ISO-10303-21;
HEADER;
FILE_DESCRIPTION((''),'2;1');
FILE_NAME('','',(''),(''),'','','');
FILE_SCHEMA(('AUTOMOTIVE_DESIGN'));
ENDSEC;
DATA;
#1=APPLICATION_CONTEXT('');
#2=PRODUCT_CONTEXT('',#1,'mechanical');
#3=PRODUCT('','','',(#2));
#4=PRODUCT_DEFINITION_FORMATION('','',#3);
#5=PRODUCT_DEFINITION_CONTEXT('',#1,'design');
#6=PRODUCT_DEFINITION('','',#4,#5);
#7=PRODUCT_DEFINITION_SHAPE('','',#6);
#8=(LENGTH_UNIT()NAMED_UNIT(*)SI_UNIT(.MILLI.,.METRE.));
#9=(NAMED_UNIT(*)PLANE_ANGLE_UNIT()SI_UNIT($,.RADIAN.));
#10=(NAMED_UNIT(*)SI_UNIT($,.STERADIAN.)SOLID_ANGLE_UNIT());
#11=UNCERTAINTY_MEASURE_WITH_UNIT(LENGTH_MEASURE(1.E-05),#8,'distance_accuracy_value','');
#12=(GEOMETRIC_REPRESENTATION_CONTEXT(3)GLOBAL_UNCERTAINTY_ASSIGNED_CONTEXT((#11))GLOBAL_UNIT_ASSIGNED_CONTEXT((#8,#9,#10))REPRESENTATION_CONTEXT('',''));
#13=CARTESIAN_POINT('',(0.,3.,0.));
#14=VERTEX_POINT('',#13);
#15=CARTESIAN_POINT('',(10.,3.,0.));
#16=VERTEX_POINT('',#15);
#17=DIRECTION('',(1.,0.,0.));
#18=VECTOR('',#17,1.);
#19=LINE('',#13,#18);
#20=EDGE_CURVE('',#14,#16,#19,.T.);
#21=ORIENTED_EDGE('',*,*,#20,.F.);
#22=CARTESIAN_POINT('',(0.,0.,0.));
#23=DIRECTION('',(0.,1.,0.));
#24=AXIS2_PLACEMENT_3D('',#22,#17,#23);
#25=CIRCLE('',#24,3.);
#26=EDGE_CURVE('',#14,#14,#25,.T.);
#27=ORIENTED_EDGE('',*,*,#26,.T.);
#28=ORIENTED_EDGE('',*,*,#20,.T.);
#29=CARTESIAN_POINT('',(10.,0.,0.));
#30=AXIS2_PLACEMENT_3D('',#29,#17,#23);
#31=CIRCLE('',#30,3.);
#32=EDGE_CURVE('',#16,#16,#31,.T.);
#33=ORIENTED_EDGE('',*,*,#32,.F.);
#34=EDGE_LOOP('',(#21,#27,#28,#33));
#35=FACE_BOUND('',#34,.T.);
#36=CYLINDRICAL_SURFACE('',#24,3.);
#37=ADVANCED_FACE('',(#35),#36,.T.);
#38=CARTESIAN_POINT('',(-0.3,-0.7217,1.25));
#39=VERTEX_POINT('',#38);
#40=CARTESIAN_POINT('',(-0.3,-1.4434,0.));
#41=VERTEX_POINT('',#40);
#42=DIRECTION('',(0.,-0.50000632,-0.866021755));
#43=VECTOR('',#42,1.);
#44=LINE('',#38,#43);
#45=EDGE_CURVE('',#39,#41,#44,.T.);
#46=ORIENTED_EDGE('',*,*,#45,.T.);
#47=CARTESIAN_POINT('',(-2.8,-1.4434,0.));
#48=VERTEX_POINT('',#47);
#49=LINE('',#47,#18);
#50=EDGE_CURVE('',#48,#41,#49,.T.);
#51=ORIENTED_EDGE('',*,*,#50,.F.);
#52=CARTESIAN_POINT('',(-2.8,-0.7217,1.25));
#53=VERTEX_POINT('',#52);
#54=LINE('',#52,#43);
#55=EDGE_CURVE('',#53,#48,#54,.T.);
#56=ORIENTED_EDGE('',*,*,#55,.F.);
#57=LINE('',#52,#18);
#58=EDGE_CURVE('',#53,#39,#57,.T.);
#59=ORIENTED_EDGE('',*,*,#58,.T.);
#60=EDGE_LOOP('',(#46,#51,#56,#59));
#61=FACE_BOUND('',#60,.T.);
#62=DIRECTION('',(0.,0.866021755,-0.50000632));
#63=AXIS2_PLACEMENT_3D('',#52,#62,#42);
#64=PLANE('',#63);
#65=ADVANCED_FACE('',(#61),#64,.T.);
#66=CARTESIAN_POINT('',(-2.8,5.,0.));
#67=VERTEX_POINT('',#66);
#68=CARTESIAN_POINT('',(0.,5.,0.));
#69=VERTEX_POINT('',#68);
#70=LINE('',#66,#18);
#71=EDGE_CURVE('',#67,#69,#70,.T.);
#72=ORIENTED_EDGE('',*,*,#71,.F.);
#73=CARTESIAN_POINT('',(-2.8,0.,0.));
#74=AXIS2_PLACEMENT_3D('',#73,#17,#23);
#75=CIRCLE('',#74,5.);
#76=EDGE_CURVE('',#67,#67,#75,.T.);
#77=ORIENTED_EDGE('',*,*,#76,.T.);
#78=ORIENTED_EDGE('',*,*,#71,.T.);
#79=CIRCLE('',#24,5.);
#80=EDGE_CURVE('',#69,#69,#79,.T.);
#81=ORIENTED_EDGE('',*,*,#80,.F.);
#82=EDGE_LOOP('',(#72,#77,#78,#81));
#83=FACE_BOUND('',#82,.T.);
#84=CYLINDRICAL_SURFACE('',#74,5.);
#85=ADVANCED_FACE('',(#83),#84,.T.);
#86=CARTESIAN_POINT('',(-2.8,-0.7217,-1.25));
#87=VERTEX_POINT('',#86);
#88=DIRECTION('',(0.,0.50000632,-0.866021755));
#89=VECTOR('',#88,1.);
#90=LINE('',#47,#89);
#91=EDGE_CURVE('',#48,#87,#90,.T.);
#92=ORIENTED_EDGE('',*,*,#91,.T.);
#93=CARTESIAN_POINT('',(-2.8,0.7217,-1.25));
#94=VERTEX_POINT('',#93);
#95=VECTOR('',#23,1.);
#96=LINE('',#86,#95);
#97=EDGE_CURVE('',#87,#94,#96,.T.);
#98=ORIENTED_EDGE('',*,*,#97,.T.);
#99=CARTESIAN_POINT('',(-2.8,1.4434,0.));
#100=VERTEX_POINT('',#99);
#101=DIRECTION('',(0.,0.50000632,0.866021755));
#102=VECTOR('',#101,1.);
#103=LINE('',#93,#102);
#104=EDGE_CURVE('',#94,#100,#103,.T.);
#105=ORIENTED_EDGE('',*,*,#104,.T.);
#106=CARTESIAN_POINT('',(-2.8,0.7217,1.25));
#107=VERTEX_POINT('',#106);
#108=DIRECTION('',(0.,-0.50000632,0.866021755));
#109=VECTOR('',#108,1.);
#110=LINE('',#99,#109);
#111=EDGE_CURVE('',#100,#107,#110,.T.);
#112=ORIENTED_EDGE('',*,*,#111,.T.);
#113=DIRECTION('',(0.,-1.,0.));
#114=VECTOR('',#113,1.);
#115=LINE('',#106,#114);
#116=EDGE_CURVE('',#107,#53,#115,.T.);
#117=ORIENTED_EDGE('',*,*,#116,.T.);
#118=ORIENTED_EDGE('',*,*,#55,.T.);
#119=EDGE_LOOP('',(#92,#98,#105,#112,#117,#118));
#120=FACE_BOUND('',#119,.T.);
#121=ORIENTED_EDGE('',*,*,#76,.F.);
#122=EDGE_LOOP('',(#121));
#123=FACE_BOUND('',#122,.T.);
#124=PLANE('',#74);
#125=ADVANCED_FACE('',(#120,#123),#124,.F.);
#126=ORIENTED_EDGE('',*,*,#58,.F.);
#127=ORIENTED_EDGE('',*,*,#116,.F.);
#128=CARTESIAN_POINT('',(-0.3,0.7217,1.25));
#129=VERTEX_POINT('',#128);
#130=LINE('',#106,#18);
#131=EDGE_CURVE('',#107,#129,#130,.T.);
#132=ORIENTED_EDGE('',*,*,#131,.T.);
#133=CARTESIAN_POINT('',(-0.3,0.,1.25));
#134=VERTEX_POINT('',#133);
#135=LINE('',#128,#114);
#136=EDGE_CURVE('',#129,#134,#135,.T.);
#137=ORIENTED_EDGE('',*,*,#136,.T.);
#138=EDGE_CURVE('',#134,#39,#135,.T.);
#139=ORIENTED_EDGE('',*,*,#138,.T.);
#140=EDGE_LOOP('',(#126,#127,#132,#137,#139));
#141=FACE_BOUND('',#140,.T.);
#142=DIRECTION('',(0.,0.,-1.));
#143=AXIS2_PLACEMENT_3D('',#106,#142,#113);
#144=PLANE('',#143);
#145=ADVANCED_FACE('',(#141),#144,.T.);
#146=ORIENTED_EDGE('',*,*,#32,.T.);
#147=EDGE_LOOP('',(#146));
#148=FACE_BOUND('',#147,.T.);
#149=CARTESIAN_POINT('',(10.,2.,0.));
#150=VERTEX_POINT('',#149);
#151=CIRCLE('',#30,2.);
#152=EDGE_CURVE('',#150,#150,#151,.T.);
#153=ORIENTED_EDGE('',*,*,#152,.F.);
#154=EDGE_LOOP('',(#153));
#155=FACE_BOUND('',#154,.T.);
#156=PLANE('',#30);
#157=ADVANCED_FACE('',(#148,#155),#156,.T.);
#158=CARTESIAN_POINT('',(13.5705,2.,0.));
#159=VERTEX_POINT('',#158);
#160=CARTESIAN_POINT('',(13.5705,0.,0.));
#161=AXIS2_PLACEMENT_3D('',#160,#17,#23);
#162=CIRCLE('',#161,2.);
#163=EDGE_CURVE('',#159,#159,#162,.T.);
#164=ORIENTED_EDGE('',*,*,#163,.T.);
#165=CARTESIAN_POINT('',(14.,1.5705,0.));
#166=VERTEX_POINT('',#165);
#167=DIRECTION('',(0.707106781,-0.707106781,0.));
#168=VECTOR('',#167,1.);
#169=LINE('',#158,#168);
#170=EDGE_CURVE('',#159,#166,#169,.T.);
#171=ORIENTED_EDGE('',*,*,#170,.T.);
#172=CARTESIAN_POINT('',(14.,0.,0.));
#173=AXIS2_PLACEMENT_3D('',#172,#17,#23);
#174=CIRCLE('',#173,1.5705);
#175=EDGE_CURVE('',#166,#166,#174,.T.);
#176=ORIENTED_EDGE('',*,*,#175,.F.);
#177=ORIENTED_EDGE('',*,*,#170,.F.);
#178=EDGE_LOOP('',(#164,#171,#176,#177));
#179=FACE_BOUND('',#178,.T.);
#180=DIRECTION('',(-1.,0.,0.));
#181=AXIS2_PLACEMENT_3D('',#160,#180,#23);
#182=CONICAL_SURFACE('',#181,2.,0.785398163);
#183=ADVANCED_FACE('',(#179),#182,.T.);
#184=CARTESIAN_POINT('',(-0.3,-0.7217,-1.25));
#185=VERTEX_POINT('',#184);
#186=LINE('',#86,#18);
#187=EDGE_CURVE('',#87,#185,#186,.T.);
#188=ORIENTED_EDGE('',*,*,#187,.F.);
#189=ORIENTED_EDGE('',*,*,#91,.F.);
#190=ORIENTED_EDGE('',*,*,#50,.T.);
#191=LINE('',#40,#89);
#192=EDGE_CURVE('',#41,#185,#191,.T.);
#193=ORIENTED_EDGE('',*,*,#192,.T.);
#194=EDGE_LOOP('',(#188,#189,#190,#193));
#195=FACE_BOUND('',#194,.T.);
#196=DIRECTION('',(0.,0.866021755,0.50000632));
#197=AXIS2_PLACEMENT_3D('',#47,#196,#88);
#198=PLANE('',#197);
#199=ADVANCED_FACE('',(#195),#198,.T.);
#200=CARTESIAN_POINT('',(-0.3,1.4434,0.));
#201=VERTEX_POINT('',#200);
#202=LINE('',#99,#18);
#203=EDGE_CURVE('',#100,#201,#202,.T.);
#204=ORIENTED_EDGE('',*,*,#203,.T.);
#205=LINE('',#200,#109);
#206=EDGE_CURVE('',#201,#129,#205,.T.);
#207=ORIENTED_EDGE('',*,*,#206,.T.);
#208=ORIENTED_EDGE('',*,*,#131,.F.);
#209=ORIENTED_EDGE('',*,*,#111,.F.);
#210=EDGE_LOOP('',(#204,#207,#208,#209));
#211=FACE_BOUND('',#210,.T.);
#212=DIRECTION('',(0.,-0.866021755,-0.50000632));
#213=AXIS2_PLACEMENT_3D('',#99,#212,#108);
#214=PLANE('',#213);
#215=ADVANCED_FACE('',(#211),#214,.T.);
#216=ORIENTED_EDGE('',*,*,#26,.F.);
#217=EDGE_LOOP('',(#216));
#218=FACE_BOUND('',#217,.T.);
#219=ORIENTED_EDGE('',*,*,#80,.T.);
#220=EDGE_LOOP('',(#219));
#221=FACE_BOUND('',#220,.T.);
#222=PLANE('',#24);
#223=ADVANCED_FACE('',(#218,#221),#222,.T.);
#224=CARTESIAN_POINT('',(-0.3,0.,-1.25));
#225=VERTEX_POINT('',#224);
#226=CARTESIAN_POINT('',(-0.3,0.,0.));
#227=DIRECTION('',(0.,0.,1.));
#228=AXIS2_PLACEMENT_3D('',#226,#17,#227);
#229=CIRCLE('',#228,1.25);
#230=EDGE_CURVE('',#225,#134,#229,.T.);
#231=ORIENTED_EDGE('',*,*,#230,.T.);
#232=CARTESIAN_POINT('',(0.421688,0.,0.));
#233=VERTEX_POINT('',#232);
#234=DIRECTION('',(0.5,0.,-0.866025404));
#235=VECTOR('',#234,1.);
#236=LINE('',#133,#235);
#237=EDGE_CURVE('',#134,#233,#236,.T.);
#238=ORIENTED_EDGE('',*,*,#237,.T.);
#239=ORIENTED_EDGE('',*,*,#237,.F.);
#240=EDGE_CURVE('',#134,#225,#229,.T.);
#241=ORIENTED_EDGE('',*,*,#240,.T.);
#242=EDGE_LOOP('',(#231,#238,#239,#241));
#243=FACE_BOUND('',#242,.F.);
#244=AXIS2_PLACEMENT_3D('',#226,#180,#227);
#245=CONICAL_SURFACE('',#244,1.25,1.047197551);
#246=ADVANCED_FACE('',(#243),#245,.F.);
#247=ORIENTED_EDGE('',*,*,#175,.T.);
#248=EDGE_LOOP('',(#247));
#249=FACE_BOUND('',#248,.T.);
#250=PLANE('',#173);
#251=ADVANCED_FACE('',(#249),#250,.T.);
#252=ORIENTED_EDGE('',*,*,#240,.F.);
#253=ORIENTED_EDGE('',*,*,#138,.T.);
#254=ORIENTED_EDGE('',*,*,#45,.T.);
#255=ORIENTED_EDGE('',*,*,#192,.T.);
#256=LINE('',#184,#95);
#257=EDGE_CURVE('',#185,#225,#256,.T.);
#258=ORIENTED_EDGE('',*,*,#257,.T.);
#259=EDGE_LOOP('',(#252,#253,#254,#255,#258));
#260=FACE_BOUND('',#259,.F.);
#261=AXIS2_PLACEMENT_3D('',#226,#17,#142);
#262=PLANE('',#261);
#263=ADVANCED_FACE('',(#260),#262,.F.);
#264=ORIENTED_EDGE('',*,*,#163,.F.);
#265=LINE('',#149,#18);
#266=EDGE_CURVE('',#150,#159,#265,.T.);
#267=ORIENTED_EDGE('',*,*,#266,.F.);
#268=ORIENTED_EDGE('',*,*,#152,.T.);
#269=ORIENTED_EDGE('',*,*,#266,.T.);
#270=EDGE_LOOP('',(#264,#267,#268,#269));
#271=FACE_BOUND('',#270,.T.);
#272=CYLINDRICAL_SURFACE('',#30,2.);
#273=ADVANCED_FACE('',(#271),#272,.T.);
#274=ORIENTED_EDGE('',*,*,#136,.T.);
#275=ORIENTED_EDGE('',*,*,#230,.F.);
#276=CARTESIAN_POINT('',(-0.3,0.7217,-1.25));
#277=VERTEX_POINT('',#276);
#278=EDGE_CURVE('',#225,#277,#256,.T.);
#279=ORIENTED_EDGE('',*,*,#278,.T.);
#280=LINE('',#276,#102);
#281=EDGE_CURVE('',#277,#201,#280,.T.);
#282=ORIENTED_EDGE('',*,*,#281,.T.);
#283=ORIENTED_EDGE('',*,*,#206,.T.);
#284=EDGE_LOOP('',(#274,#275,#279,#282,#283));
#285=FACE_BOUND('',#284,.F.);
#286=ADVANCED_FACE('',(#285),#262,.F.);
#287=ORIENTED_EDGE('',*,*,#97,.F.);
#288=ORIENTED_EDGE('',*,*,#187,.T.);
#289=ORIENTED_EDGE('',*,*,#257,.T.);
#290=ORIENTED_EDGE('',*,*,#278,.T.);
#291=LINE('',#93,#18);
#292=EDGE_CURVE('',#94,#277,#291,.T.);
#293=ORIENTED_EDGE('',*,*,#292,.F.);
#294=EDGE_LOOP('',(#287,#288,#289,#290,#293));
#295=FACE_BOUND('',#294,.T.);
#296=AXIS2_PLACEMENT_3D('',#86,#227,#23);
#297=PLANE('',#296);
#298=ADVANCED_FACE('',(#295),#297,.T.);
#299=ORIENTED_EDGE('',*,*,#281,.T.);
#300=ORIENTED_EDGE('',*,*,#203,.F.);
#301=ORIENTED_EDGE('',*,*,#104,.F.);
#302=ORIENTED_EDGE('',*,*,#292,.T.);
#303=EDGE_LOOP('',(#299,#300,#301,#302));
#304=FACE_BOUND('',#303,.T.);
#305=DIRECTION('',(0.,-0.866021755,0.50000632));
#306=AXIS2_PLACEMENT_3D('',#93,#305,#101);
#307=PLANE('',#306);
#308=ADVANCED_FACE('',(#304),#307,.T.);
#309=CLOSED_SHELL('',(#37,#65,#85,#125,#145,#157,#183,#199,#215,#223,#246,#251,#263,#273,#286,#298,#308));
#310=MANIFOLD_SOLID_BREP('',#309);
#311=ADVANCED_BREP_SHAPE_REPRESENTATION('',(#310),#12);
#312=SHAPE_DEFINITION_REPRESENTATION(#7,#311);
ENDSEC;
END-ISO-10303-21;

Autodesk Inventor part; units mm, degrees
ref_plane "YZ Plane" through (0, 0, 0) normal (1, 0, 0) x (0, 1, 0)
ref_plane "XZ Plane" through (0, 0, 0) normal (0, 1, 0) x (-1, 0, 0)
ref_plane "XY Plane" through (0, 0, 0) normal (0, 0, 1) x (1, 0, 0)
sketch "Sketch_1" plane through (0, 0, 0) normal (0, 0, 1) x (1, 0, 0)
  line L0 (10, 0) -> (-2.8, 0)
  line L1 (-2.8, 0) -> (-2.8, 5)
  line L2 (-2.8, 5) -> (0, 5)
  line L3 (0, 5) -> (0, 3)
  line L4 (0, 3) -> (10, 3)
  line L5 (10, 3) -> (10, 0)
  line L6 (10, 0) -> (-2.8, 0)
revolve "Revolution1" add sketch "Sketch_1" angle 360 about axis through (10, 0, 0) along (1, 0, 0)
sketch "Sketch2" plane through (-2.8, 0, 0) normal (-1, 0, 0) x (0, 0, 1)
  point P0 (0, 0)
hole "Hole1" at (-2.8, 0, 0) direction (1, 0, 0) diameter 2.5 depth 2.5 tip angle 120
sketch "Sketch_3" plane through (-2.8, 0, 0) normal (1, 0, 0) x (0, 0, -1)
  line L0 (-1.25, -0.7217) -> (0, -1.4434)
  line L1 (0, -1.4434) -> (1.25, -0.7217)
  line L2 (1.25, -0.7217) -> (1.25, 0.7217)
  line L3 (1.25, 0.7217) -> (0, 1.4434)
  line L4 (0, 1.4434) -> (-1.25, 0.7217)
  line L5 (-1.25, 0.7217) -> (-1.25, -0.7217)
extrude "Extrusion1" cut sketch "Sketch_3" along normal blind 2.5
sketch "Sketch_6" plane through (0, 0, 0) normal (0, 0, 1) x (1, 0, 0)
  line L0 (14, 0) -> (10, 0)
  line L1 (10, 0) -> (10, 2)
  line L2 (10, 2) -> (13.5705, 2)
  line L3 (13.5705, 2) -> (14, 1.5705)
  line L4 (14, 1.5705) -> (14, 0)
  line L5 (14, 0) -> (10, 0)
revolve "Revolution2" add sketch "Sketch_6" angle 360 about axis through (14, 0, 0) along (1, 0, 0)
thread "Thread1" size "M4x0.7" class "6g" standard "ISO Metric profile" length 2.3705
properties part number "DBTS4-10-4"
